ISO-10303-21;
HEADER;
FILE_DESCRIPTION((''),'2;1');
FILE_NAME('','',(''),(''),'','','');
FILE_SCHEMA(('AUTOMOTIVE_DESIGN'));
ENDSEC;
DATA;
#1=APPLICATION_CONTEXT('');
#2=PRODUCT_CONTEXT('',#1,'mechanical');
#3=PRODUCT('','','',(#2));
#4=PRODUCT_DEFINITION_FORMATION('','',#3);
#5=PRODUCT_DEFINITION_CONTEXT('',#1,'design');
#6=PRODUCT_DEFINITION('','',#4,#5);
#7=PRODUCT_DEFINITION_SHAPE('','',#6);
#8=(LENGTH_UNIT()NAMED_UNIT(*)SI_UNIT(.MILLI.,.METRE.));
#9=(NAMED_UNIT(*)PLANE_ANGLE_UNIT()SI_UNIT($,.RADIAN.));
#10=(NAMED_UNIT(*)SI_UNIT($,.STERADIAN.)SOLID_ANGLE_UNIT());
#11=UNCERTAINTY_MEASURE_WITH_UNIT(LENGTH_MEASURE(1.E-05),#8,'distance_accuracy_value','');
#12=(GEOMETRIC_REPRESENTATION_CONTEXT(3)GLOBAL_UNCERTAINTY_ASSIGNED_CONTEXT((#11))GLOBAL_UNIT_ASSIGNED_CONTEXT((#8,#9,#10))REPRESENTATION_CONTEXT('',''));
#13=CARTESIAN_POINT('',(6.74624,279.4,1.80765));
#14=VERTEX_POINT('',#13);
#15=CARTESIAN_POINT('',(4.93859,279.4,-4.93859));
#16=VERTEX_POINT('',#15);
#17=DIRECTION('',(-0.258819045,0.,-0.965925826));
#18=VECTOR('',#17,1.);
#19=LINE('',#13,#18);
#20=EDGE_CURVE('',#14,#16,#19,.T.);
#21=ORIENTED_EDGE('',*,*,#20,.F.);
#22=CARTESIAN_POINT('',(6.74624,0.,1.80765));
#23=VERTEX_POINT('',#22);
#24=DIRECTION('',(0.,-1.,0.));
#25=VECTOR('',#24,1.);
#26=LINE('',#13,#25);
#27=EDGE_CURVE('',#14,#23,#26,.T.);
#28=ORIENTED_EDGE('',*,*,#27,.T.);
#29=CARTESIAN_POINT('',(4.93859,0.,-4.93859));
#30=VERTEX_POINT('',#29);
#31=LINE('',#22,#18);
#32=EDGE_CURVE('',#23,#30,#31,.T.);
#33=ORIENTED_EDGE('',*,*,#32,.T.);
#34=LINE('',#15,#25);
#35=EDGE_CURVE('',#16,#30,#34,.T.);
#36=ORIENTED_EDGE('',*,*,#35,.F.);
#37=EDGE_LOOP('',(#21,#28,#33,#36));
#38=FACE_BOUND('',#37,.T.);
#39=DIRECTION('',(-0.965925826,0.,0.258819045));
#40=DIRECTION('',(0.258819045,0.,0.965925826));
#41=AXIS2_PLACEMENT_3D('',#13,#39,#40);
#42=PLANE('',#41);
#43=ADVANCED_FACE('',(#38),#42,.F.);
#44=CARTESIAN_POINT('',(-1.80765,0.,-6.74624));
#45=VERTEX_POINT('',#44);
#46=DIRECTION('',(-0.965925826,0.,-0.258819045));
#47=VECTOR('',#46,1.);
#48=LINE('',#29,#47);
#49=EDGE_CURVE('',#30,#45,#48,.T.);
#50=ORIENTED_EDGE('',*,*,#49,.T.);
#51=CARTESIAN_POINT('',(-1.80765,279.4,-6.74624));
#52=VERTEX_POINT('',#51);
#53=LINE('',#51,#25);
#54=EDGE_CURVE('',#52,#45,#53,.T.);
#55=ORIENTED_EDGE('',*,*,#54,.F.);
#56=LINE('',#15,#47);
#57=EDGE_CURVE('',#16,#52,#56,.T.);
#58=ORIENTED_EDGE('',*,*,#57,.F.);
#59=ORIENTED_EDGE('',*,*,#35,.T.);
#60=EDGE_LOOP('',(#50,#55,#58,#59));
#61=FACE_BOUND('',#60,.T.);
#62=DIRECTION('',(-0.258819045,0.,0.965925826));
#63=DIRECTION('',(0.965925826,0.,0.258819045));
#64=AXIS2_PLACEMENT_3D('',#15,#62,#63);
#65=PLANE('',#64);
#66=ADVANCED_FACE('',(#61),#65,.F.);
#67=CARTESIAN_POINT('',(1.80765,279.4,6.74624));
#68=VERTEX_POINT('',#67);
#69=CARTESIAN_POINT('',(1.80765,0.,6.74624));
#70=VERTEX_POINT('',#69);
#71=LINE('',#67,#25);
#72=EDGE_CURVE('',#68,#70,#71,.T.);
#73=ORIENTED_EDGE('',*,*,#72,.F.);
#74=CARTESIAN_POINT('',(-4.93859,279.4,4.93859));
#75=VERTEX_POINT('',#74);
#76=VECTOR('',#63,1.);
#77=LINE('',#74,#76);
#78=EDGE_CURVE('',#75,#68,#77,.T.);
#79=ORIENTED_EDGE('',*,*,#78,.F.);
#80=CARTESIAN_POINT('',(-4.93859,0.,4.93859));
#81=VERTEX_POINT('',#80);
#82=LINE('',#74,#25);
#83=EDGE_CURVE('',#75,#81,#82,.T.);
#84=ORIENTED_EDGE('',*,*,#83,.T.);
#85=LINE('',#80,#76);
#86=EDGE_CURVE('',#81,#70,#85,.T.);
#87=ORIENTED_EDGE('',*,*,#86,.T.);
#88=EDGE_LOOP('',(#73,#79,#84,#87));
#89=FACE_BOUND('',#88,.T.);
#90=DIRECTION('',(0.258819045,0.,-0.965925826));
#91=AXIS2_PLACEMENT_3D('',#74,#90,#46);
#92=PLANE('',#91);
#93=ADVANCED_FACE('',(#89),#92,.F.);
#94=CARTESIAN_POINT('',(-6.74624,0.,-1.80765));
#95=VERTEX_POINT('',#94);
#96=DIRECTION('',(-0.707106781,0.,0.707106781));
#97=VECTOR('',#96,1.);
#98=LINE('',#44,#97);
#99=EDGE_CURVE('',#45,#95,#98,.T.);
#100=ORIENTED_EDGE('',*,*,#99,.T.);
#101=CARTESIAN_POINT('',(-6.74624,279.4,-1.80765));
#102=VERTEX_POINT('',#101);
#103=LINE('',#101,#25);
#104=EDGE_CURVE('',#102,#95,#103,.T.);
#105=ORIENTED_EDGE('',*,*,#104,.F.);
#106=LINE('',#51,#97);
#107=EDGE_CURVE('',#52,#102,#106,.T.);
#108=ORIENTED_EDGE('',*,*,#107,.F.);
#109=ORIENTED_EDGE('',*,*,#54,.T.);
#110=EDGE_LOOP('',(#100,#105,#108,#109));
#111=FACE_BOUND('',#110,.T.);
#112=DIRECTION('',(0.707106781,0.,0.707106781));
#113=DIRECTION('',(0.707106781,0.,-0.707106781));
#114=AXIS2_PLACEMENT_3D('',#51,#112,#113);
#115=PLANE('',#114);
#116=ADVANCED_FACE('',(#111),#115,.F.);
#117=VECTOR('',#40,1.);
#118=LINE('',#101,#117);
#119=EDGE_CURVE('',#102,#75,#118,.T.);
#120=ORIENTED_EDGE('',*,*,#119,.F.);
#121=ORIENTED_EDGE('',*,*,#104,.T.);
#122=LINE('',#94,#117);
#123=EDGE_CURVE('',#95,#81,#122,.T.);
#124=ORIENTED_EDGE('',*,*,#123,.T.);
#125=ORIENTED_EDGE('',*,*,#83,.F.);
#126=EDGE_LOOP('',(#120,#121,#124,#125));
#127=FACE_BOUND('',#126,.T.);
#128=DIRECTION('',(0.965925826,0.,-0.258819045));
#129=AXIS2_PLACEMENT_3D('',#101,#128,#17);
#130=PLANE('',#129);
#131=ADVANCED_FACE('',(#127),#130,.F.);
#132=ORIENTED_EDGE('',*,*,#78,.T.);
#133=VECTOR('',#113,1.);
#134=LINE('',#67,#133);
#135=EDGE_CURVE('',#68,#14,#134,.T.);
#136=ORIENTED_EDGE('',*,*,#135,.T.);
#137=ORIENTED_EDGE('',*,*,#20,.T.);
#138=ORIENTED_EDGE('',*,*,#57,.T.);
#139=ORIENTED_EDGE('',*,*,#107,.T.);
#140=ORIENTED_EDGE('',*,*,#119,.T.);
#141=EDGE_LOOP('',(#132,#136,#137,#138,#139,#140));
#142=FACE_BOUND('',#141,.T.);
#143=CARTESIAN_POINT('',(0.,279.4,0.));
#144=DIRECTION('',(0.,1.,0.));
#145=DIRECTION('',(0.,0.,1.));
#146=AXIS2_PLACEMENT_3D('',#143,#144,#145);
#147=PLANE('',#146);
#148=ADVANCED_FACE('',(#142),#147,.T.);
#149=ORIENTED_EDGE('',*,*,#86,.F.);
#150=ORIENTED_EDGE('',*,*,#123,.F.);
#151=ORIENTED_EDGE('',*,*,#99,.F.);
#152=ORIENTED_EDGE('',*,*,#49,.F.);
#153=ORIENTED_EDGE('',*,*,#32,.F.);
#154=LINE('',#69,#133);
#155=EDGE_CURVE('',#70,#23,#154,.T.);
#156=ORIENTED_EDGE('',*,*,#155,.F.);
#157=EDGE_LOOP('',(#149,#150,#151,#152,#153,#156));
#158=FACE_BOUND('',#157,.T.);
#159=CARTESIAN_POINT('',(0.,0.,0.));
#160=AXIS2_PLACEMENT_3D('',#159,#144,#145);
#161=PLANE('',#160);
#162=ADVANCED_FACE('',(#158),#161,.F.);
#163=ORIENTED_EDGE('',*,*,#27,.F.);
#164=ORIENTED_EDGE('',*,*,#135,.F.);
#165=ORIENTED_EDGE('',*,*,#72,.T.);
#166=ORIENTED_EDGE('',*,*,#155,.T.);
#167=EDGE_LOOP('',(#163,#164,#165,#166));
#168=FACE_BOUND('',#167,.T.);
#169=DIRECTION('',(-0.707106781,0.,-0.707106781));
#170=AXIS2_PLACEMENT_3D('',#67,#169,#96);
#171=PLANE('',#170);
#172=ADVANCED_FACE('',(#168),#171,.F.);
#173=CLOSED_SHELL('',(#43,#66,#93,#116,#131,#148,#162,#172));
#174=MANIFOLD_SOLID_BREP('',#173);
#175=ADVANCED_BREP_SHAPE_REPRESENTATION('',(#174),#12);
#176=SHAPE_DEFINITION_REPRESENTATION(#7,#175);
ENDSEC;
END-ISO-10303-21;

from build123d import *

# Parameters (mm, degrees)
BOSS_EXTRUDE1_DEPTH = 279.4


with BuildPart() as part:
    # Sketch1 → Boss-Extrude1 (new body)
    with BuildSketch(Plane(origin=(0, 0, 0), x_dir=(1, 0, 0), z_dir=(0, 1, 0))):
        Polygon((4.93859044, 4.93859044), (-1.80764956, 6.74624), (-6.74624, 1.80764956), (-4.93859044, -4.93859044), (1.80764956, -6.74624), (6.74624, -1.80764956), align=None)
    extrude(amount=BOSS_EXTRUDE1_DEPTH)


solid = part.part
